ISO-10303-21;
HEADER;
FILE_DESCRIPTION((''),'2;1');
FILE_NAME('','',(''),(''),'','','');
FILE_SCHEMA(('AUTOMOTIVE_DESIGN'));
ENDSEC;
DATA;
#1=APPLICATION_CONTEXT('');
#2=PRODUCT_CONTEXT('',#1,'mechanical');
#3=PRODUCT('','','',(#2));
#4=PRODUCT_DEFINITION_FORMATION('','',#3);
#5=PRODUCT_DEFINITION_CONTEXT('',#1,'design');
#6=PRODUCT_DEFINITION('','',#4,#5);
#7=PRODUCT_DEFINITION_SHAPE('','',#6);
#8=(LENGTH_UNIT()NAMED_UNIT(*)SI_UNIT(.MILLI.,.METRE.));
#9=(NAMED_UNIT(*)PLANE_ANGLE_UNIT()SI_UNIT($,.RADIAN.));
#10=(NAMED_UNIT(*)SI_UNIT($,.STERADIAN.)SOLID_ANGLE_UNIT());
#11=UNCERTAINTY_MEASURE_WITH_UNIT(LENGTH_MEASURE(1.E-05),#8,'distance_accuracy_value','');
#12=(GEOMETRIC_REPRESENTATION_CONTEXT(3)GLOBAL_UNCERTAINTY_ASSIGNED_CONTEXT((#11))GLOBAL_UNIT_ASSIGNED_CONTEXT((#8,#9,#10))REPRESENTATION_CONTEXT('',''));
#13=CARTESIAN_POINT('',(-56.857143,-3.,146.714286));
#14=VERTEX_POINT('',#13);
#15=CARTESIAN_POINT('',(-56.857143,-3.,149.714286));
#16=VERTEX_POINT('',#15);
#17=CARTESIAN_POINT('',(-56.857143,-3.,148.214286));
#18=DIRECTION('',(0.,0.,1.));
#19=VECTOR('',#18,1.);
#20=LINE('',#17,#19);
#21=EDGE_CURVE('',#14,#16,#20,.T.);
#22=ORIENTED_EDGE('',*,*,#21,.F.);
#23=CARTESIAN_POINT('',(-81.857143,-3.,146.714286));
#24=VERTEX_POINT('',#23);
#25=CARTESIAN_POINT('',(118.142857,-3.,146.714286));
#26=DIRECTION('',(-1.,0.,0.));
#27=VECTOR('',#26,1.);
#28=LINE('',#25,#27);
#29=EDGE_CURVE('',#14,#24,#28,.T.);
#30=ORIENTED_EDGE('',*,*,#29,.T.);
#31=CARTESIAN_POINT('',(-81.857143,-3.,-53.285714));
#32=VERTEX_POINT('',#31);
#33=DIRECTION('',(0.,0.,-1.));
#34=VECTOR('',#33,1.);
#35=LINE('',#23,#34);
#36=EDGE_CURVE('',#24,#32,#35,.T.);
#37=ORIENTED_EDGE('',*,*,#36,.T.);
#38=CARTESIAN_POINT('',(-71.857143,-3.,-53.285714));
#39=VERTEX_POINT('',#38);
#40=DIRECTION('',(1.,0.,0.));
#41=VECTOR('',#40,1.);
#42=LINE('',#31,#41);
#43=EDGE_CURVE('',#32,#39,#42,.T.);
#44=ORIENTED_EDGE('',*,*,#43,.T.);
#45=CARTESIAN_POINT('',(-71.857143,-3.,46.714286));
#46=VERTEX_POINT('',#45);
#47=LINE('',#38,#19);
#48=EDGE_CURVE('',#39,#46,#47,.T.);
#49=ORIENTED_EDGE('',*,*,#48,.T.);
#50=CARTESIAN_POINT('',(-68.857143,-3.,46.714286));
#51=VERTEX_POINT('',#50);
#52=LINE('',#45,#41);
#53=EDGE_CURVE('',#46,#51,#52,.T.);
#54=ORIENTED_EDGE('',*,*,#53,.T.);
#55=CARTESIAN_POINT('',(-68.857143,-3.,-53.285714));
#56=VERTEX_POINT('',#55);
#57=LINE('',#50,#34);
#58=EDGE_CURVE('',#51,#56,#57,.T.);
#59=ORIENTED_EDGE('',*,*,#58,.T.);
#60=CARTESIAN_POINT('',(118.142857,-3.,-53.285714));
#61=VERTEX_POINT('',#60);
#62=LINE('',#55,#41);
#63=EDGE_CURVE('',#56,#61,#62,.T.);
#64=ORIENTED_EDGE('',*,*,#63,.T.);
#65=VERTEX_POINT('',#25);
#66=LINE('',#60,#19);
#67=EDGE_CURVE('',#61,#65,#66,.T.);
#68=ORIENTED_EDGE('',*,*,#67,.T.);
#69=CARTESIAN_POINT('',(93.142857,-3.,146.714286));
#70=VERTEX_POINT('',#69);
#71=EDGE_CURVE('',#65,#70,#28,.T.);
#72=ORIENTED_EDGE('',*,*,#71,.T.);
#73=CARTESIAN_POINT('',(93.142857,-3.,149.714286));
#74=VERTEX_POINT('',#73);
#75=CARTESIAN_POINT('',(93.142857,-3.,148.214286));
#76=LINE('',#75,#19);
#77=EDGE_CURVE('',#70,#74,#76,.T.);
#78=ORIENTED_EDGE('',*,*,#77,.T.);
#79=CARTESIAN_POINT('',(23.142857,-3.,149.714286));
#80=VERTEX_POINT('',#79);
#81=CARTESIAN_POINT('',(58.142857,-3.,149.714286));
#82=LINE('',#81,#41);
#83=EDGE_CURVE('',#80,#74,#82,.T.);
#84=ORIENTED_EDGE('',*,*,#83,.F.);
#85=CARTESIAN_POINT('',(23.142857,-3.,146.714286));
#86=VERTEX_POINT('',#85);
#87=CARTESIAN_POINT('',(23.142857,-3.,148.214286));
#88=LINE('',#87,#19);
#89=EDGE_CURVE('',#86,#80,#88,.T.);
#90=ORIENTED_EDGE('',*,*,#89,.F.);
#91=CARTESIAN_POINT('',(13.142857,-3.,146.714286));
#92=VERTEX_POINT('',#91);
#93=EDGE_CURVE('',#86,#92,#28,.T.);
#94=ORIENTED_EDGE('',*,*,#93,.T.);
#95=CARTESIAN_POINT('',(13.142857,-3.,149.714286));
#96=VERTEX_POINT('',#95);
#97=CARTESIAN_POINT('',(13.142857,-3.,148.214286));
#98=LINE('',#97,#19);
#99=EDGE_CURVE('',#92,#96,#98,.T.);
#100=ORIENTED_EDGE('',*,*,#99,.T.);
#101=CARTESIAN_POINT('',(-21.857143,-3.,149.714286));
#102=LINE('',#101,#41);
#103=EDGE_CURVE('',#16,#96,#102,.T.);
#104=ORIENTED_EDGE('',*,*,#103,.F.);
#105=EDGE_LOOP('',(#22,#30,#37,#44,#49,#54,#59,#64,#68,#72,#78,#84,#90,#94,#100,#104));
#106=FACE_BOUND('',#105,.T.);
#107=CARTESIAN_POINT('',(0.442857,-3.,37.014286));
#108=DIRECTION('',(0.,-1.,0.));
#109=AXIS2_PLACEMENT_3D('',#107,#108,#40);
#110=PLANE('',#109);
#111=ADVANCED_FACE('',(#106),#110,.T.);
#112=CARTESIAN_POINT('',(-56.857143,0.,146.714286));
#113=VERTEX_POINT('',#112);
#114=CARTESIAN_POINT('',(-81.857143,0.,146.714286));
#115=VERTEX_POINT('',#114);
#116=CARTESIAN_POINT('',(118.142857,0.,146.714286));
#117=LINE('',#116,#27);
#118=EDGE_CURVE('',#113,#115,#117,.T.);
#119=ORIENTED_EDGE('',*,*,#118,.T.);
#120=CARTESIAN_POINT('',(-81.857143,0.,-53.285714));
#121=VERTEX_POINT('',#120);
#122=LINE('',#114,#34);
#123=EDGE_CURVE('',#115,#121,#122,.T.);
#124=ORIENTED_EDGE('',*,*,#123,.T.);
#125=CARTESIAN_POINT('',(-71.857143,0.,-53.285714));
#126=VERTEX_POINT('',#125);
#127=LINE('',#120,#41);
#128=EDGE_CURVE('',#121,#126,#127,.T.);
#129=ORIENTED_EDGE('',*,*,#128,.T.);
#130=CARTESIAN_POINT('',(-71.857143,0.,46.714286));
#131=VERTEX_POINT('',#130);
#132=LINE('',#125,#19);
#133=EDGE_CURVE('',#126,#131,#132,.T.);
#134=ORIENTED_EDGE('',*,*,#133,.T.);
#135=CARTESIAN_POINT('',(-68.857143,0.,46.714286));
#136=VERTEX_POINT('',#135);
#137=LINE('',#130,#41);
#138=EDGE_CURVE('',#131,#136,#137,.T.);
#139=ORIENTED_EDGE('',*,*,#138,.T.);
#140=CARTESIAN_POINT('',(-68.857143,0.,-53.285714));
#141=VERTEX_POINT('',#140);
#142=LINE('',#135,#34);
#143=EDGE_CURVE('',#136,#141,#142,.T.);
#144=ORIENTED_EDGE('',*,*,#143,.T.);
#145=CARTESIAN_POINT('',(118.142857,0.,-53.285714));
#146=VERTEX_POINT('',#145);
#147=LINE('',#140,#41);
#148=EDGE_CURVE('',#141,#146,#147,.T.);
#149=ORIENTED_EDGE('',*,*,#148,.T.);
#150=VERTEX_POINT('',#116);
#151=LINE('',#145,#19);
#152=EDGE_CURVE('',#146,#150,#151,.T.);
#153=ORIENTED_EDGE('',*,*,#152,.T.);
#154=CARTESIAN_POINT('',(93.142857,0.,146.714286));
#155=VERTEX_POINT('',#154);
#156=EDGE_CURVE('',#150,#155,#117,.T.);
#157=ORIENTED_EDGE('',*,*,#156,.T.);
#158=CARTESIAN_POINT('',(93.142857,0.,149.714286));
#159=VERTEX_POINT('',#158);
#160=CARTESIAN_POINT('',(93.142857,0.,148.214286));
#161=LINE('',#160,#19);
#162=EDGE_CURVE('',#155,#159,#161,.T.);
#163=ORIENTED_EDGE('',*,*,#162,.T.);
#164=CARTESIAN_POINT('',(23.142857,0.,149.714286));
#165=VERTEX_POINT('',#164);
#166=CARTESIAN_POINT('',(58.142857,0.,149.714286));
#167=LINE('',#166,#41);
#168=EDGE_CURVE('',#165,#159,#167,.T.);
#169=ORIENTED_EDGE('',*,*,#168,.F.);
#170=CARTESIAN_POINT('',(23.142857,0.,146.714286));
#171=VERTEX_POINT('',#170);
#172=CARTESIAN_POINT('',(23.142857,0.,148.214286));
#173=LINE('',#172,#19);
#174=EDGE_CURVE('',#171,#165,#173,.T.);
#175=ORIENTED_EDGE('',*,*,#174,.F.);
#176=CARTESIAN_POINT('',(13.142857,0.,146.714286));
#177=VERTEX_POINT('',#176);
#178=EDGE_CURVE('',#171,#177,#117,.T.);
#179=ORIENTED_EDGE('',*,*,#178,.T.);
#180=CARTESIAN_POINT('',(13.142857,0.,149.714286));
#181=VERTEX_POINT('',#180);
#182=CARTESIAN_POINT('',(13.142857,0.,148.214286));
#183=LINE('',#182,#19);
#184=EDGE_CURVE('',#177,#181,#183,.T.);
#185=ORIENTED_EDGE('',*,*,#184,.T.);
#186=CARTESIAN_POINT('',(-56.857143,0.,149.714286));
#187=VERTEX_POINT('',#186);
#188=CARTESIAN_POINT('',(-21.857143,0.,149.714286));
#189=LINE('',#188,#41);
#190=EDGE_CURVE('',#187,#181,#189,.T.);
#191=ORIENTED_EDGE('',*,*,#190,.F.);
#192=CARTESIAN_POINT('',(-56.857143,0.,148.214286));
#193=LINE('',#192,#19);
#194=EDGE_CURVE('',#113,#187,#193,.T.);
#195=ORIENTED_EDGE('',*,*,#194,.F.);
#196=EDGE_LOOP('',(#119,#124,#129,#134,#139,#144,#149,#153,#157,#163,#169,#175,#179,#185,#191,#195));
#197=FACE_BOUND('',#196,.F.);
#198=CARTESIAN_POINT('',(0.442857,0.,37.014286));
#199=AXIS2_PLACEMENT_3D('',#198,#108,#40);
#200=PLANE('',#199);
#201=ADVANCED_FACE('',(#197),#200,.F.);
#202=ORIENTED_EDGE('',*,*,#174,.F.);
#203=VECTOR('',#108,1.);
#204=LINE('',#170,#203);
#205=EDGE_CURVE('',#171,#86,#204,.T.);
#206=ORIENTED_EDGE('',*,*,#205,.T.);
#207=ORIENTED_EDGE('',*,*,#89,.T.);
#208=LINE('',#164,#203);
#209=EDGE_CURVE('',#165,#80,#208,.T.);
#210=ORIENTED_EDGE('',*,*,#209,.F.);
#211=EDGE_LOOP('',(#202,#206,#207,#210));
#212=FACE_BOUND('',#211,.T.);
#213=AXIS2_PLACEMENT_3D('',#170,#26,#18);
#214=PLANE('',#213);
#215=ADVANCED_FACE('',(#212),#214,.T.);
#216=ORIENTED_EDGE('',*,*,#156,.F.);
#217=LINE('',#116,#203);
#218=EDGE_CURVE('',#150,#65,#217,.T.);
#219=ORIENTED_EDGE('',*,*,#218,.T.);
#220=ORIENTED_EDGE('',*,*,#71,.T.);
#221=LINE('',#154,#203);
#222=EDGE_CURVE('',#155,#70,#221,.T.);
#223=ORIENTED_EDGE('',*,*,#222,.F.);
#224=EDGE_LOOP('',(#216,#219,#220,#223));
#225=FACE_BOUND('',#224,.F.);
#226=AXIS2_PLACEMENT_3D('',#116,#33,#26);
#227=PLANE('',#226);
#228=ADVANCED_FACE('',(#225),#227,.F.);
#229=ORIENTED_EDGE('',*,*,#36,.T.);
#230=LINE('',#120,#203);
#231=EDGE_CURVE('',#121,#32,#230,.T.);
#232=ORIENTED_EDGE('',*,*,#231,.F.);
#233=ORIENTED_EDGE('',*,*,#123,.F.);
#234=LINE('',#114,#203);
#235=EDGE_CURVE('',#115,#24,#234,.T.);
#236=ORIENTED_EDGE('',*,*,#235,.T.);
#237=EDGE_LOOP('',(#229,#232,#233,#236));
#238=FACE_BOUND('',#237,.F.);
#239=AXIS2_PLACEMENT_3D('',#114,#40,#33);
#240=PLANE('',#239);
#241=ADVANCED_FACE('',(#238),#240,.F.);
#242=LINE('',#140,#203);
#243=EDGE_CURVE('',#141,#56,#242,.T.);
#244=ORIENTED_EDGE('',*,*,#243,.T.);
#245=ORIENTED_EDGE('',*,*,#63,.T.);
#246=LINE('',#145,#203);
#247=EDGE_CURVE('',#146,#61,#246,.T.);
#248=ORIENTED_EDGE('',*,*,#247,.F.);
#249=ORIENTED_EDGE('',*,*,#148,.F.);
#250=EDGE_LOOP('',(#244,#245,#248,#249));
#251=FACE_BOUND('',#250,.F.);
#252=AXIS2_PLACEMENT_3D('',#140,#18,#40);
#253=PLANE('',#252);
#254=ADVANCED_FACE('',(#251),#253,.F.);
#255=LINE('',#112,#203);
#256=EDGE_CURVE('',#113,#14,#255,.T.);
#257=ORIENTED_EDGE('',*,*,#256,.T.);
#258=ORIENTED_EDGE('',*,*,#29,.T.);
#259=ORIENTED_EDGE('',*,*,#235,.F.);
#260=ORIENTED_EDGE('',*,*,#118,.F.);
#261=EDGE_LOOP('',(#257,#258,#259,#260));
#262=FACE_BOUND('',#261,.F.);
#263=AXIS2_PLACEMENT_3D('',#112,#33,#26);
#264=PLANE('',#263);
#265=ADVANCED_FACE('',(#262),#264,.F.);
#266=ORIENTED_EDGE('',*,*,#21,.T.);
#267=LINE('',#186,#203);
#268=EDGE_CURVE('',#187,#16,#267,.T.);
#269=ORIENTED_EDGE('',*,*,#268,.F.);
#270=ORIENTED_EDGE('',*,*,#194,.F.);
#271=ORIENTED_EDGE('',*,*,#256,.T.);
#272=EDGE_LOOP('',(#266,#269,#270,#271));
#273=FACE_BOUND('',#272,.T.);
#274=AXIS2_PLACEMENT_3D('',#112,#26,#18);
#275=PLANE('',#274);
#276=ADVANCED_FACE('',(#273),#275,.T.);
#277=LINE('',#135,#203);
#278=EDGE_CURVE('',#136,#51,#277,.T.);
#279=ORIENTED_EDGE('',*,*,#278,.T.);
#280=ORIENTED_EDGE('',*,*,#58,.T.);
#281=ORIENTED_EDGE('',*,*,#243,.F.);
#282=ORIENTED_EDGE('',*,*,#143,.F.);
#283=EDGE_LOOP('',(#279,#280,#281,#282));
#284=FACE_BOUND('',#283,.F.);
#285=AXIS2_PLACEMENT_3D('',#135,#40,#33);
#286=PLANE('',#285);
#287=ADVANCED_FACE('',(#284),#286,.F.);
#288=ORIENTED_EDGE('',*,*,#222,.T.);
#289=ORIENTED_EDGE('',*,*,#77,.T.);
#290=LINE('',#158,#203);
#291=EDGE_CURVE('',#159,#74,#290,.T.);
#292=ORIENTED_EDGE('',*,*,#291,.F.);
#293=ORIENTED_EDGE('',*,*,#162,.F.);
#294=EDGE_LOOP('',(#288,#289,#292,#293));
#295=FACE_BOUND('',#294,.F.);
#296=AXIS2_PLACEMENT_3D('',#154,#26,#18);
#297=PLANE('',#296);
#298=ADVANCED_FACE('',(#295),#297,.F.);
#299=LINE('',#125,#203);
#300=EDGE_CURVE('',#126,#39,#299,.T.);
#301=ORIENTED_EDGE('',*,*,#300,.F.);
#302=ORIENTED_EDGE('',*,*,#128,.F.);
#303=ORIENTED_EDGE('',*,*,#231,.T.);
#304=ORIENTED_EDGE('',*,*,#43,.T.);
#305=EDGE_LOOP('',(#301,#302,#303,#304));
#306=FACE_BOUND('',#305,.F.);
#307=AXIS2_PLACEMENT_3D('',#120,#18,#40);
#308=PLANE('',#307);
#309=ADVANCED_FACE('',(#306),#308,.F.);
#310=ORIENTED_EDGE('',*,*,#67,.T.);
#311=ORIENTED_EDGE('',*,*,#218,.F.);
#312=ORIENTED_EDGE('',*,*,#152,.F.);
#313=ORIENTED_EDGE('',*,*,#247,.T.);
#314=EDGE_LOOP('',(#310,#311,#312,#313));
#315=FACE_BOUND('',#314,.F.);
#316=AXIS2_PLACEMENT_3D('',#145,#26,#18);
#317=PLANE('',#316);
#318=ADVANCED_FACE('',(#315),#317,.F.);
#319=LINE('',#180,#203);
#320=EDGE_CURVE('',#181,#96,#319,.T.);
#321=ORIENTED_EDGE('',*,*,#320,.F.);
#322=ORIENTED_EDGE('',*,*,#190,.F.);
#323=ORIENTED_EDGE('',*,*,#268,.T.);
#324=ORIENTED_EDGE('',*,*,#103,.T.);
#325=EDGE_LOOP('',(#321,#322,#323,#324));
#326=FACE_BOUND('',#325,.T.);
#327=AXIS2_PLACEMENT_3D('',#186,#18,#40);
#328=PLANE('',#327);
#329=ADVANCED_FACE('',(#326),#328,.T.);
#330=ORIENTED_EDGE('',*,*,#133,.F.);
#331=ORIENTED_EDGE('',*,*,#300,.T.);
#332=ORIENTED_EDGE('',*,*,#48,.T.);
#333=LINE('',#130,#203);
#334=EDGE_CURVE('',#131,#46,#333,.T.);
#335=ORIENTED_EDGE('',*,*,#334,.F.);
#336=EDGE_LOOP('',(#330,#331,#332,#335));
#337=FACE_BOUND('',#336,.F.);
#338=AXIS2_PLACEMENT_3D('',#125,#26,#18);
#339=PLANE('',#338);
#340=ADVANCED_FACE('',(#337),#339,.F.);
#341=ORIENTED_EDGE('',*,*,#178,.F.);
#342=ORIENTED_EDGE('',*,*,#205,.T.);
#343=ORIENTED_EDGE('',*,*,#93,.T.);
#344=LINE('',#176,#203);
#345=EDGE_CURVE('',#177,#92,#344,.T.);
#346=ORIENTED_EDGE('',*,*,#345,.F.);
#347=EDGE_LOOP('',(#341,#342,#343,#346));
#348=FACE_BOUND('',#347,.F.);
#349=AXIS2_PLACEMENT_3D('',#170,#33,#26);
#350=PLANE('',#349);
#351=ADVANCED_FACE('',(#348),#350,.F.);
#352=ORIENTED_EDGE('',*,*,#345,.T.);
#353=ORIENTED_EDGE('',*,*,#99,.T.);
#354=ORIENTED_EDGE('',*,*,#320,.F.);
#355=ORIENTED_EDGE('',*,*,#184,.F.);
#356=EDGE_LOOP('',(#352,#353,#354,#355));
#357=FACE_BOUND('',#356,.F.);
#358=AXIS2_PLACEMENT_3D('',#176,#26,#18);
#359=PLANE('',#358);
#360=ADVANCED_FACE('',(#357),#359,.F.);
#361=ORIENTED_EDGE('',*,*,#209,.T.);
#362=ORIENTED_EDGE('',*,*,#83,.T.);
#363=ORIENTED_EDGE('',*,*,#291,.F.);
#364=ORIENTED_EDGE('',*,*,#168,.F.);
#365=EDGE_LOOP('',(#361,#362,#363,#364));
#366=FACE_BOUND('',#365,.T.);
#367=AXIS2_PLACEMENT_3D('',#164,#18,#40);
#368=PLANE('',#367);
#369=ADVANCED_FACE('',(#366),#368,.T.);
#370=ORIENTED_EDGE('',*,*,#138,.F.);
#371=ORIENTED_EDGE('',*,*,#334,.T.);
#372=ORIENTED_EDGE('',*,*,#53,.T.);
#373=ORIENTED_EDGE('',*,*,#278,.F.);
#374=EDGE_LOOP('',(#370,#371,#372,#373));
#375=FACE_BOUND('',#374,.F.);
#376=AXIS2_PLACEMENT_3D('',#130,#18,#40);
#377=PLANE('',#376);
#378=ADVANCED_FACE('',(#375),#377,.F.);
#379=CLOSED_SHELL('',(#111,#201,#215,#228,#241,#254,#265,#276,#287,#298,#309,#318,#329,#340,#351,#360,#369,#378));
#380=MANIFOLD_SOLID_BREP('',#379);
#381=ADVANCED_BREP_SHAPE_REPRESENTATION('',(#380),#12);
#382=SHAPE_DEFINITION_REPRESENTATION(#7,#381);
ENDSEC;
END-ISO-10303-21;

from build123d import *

# Parameters (mm, degrees)
F0_W     = 70
F0_H     = 3
F1_DEPTH = 3


with BuildPart() as f1:
    # F0 (on Front) → F1 (new body)
    with BuildSketch(Plane.XZ):
        Polygon((-56.857143, 146.714286), (-81.857143, 146.714286), (-81.857143, -53.285714), (-71.857143, -53.285714), (-71.857143, 46.714286), (-68.857143, 46.714286), (-68.857143, -53.285714), (118.142857, -53.285714), (118.142857, -43.285714), (118.142857, -40.285714), (118.142857, 146.714286), (93.142857, 146.714286), (23.142857, 146.714286), (13.142857, 146.714286), align=None)
        with Locations((-21.857143, 148.214286)):
            Rectangle(F0_W, F0_H)
        with Locations((58.142857, 148.214286)):
            Rectangle(F0_W, F0_H)
    extrude(amount=F1_DEPTH)


solid = f1.part
